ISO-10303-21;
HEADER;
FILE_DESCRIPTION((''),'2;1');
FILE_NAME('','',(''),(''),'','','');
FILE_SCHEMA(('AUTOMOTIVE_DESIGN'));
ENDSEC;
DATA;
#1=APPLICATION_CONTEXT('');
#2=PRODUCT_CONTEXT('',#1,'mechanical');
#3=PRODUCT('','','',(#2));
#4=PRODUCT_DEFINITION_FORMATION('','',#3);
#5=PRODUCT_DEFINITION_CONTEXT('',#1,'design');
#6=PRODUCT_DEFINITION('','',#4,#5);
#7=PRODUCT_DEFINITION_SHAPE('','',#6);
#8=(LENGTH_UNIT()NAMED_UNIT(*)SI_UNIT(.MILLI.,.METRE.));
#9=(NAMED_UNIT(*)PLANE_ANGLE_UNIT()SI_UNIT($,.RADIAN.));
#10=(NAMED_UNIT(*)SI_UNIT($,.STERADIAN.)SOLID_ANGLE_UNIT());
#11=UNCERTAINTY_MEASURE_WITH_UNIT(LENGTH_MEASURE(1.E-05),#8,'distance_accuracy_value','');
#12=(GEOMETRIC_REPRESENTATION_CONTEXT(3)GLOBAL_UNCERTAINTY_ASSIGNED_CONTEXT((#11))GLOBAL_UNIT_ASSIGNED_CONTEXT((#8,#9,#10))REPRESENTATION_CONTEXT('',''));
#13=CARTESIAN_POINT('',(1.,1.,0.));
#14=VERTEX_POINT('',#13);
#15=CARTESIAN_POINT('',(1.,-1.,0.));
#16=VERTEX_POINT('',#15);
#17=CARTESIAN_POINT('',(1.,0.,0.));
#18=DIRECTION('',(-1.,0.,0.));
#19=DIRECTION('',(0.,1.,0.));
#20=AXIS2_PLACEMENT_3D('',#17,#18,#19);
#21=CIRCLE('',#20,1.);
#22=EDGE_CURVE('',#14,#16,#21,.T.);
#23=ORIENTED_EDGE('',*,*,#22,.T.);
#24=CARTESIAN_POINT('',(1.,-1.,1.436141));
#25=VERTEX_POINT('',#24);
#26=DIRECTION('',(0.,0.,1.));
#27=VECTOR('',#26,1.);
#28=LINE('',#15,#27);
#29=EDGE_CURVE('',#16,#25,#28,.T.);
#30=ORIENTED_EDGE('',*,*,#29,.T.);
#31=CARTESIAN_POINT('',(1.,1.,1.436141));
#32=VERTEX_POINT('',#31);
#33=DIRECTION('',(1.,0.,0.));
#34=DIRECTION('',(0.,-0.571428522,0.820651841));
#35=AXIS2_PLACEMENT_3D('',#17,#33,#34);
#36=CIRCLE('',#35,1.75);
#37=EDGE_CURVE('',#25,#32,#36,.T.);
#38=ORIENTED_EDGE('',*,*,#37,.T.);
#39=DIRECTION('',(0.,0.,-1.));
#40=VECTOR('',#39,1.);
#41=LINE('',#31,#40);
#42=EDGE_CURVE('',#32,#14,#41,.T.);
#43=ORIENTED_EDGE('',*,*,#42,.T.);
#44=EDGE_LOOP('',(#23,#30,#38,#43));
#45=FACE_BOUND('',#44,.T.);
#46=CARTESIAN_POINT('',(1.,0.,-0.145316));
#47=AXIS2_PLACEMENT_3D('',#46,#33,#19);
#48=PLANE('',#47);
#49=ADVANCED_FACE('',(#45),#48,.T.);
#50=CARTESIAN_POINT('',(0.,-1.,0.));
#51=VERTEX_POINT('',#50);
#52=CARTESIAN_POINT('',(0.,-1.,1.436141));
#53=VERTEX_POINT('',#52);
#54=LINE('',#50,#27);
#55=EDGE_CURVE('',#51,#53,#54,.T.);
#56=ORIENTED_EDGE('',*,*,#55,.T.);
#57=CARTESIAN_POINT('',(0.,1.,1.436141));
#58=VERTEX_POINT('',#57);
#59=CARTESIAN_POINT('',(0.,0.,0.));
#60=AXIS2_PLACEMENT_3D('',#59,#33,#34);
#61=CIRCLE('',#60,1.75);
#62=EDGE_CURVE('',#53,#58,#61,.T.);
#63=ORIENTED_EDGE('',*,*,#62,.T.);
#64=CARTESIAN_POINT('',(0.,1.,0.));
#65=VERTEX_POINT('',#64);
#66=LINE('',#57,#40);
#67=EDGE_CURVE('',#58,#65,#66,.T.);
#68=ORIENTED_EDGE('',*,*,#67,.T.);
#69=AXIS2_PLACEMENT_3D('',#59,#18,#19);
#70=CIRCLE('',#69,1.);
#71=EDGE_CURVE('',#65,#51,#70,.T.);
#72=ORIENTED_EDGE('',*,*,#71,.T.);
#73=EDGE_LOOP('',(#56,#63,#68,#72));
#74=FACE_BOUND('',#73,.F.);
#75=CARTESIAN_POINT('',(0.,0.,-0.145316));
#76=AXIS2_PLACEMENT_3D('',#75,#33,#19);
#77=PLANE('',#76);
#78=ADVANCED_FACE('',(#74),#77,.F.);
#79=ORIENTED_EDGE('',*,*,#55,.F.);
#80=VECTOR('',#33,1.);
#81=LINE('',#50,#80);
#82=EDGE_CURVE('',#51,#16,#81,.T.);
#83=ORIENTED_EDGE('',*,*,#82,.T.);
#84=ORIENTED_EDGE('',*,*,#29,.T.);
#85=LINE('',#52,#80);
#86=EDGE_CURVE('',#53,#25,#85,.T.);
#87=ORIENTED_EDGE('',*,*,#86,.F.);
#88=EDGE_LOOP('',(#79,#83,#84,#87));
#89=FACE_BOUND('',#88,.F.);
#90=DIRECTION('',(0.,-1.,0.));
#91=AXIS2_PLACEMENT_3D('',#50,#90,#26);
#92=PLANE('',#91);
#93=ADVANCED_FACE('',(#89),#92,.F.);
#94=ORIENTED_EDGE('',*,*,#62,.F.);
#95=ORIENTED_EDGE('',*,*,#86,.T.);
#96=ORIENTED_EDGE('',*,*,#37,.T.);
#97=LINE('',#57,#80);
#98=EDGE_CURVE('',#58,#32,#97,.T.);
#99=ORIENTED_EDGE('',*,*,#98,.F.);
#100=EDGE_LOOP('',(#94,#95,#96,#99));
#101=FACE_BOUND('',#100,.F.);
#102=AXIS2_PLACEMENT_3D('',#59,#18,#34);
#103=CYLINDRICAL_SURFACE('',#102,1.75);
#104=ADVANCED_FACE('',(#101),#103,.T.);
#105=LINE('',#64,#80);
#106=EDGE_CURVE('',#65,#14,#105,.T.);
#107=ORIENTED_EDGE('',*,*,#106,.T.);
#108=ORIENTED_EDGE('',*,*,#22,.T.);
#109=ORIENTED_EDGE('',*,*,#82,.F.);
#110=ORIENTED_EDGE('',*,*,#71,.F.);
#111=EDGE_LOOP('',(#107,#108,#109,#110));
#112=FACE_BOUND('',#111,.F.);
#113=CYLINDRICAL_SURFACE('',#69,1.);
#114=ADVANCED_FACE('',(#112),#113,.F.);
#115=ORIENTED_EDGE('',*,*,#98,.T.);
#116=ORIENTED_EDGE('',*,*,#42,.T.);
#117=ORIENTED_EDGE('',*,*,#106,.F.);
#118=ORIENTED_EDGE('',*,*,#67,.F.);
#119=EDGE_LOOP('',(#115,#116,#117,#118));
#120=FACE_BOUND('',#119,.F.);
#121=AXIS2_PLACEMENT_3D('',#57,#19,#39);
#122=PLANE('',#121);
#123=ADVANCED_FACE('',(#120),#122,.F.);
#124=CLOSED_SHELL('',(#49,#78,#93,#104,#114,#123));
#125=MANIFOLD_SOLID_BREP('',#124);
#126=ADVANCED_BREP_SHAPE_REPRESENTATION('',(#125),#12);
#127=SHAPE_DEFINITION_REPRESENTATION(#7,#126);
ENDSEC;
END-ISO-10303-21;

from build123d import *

# Parameters (mm, degrees)
F1_DEPTH = 1


with BuildPart() as f1:
    # F0 (on Right) → F1 (new body)
    with BuildSketch(Plane.YZ):
        with BuildLine():
            Line((-1, 0), (-1, 1.436141))
            ThreePointArc((-1, 1.436141), (0, -1.75), (1, 1.436141))
            Line((1, 1.436141), (1, 0))
            ThreePointArc((1, 0), (0, -1), (-1, 0))
        make_face()
    extrude(amount=F1_DEPTH)


solid = f1.part
